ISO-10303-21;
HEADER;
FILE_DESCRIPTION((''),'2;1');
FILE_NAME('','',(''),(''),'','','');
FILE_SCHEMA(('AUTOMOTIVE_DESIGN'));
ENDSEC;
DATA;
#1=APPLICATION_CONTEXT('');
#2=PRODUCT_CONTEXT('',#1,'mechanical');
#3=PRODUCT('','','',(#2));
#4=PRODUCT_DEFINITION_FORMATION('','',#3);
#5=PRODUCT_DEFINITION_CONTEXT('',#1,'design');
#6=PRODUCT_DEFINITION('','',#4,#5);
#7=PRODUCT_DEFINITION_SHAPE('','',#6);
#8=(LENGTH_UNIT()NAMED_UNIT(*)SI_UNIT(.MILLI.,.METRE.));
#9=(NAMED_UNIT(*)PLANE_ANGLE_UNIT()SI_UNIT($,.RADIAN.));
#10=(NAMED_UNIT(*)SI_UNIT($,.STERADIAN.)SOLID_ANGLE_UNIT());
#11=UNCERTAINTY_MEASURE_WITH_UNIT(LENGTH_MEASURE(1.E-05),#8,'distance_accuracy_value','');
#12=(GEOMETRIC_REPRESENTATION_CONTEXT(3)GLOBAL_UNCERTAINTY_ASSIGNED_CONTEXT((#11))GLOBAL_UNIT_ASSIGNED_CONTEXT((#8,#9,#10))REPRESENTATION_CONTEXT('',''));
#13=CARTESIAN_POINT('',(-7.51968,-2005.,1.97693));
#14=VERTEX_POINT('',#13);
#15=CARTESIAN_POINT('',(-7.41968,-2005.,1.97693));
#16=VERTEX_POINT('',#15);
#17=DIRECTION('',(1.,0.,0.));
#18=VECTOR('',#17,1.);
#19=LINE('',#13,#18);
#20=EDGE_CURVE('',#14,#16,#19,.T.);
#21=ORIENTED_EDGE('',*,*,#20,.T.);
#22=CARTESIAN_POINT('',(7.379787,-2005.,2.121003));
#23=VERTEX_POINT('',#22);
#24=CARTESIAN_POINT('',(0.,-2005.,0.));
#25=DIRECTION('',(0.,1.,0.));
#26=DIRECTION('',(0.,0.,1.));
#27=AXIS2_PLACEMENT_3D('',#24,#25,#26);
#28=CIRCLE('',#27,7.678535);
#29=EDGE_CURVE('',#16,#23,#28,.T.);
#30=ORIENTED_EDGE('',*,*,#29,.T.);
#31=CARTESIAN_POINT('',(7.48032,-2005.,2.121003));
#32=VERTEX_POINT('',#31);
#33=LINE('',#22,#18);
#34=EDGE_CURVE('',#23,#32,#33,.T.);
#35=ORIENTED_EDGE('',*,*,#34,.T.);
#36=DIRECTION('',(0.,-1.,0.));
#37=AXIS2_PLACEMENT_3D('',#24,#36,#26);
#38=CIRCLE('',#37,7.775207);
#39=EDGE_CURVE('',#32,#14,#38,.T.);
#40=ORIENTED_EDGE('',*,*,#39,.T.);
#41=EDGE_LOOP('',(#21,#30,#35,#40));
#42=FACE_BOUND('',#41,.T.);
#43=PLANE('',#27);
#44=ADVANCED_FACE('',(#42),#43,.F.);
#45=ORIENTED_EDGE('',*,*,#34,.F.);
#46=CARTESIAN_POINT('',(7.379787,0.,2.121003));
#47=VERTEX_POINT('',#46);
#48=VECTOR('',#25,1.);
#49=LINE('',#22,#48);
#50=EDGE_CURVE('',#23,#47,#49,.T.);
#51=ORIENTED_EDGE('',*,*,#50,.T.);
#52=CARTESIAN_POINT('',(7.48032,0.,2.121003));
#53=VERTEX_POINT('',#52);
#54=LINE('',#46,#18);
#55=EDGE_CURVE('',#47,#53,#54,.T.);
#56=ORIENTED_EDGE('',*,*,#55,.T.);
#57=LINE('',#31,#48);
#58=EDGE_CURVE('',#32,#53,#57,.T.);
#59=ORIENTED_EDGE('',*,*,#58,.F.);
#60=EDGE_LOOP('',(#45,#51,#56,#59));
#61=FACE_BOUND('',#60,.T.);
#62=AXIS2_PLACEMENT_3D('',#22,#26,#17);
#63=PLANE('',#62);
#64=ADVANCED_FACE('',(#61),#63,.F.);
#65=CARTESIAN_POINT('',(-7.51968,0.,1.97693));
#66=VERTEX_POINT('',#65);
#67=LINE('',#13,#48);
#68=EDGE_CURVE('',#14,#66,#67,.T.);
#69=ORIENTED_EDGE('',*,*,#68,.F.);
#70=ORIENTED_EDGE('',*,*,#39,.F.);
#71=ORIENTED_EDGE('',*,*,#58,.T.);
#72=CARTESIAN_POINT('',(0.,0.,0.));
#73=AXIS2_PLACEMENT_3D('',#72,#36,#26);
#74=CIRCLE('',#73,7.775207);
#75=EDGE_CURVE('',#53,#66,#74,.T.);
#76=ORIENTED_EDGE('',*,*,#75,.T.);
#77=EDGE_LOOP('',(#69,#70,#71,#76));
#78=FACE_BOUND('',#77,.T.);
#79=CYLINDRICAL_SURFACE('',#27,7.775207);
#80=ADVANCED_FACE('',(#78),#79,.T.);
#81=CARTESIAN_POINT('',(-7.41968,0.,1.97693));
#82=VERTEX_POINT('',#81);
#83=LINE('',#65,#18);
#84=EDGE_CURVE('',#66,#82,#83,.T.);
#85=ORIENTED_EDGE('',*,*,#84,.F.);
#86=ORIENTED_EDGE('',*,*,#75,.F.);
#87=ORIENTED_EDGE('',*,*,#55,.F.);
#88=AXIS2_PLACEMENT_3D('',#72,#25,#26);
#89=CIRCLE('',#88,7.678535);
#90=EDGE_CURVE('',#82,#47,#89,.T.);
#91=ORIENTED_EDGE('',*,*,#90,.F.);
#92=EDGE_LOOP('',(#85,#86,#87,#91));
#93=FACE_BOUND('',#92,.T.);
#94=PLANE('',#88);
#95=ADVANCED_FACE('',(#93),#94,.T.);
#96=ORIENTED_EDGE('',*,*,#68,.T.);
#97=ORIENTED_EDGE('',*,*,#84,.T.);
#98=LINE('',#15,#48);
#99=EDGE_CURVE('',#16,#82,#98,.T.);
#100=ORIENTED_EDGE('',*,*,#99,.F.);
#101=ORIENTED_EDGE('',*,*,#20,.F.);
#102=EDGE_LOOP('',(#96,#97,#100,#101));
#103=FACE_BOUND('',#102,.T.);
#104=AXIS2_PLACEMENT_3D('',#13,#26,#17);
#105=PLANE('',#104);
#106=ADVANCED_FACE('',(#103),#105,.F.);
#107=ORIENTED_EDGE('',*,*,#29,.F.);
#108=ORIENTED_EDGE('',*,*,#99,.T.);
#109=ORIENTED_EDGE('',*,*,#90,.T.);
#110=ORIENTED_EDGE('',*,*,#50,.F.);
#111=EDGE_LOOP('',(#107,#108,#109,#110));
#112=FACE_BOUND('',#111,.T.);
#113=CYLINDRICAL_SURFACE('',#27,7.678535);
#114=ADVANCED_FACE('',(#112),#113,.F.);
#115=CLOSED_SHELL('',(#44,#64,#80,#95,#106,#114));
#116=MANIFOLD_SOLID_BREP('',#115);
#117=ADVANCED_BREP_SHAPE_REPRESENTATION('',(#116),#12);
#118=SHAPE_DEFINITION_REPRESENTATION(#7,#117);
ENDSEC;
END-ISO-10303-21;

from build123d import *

# Parameters (mm, degrees)
SKETCH1_W           = 90
SKETCH1_H           = 90
BOSS_EXTRUDE1_DEPTH = 5
BOSS_EXTRUDE2_DEPTH = 2005
SKETCH3_W           = 90
SKETCH3_H           = 90
CUT_EXTRUDE3_DEPTH  = 5


with BuildPart() as part:
    # Sketch1 → Boss-Extrude1 (new body)
    with BuildSketch(Plane(origin=(0, 0, 0), x_dir=(1, 0, 0), z_dir=(0, 1, 0))):
        Rectangle(SKETCH1_W, SKETCH1_H)
    extrude(amount=BOSS_EXTRUDE1_DEPTH)

    # Sketch2 → Boss-Extrude2 (add)
    with BuildSketch(Plane.XZ):
        with BuildLine():
            Line((-7.519680062, 1.976929803), (-7.419680062, 1.976929803))
            ThreePointArc((-7.419680062, 1.976929803), (-0.074747151, 7.678171432), (7.379786606, 2.121002904))
            Line((7.379786606, 2.121002904), (7.480319938, 2.121002904))
            ThreePointArc((7.480319938, 2.121002904), (-0.074676432, 7.774848109), (-7.519680062, 1.976929803))
        make_face()
    extrude(amount=BOSS_EXTRUDE2_DEPTH)

    # Sketch3 → Cut-Extrude3 (cut)
    with BuildSketch(Plane(origin=(0, 5, 0), x_dir=(1, 0, 0), z_dir=(0, 1, 0))):
        Rectangle(SKETCH3_W, SKETCH3_H)
    extrude(amount=-CUT_EXTRUDE3_DEPTH, mode=Mode.SUBTRACT)


solid = part.part
